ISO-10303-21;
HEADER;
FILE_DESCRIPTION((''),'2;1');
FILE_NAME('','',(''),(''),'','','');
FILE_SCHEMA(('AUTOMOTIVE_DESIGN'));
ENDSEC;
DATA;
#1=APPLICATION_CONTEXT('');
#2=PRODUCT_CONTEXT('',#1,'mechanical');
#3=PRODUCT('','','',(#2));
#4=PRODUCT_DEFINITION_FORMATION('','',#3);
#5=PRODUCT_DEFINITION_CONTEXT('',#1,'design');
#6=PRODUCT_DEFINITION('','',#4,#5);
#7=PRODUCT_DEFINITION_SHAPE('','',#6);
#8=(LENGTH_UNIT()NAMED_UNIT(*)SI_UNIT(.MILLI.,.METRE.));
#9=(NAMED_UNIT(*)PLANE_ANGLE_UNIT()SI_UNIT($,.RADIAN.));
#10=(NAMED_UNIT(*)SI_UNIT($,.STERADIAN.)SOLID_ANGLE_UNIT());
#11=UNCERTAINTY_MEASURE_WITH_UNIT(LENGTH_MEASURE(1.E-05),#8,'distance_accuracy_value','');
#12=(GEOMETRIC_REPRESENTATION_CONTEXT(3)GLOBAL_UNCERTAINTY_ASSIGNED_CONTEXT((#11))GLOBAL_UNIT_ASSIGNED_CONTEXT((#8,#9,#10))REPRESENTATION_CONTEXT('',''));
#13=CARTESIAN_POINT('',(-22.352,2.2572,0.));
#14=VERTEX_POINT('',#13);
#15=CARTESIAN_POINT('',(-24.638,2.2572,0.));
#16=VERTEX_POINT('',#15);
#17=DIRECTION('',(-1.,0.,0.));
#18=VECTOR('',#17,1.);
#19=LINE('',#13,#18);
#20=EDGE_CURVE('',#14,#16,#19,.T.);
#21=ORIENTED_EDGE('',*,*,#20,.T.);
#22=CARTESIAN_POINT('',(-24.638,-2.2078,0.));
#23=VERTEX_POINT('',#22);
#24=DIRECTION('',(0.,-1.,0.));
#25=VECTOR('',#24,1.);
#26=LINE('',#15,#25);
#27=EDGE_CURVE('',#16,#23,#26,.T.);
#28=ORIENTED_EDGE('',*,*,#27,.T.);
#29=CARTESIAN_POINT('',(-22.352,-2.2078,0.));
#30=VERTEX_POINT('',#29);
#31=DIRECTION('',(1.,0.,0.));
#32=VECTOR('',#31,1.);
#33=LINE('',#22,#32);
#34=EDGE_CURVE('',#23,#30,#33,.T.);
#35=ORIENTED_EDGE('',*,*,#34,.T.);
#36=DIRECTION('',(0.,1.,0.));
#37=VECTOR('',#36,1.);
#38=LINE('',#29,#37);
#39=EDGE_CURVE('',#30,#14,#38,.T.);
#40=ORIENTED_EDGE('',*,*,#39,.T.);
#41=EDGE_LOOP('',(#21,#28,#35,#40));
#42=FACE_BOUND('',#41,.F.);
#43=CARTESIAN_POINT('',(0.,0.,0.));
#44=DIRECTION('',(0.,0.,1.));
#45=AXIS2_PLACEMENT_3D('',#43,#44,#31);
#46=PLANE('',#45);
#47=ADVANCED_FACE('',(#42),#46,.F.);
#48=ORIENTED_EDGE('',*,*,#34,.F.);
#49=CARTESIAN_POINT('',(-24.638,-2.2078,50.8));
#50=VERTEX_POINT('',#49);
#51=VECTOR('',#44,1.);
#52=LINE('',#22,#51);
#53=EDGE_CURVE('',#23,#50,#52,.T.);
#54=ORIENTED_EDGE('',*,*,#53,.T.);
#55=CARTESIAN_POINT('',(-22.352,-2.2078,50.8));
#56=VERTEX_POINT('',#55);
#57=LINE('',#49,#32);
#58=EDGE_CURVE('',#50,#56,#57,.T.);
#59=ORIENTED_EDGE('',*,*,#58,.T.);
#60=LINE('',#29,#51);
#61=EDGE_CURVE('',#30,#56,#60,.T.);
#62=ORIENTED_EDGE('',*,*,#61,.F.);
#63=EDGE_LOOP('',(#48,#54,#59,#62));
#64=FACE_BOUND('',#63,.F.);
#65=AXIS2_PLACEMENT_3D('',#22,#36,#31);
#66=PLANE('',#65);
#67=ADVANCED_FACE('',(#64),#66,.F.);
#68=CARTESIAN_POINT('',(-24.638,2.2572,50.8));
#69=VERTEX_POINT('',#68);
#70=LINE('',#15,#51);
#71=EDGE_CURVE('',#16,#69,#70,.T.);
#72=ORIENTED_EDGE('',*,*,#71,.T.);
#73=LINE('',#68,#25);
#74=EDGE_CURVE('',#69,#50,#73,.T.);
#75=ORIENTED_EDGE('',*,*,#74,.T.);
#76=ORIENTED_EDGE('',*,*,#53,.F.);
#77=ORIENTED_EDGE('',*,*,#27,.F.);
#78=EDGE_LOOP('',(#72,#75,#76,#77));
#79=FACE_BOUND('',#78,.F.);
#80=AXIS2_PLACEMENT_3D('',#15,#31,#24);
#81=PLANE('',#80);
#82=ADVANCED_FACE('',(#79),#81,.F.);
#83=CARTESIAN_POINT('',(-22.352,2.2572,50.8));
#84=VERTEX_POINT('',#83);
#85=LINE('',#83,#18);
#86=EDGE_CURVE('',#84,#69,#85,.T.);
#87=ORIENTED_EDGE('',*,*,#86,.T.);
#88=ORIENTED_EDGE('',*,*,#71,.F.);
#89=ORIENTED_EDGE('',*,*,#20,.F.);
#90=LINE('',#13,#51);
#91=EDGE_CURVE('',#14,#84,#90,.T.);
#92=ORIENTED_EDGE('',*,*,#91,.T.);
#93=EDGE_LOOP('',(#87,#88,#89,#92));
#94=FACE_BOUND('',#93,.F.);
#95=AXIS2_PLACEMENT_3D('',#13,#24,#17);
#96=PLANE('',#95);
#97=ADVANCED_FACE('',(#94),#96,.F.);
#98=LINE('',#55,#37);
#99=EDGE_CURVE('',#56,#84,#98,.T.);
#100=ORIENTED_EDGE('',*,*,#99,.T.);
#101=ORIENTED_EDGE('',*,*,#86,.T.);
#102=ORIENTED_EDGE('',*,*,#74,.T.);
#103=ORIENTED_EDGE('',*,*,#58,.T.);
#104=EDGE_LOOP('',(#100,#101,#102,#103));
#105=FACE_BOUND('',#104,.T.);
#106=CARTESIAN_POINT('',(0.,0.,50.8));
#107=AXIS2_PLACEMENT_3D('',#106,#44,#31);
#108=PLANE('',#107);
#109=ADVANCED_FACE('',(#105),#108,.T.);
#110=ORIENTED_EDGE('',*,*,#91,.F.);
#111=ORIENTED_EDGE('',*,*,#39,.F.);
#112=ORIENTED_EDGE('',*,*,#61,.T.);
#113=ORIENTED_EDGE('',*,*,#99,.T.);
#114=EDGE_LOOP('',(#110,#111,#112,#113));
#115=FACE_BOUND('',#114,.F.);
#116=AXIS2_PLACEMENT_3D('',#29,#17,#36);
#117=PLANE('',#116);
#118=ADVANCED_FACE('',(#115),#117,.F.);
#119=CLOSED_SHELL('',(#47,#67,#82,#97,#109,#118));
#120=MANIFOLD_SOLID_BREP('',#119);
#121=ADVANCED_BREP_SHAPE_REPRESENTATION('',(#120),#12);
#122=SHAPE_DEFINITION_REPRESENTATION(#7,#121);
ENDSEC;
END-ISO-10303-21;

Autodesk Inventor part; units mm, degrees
ref_plane "YZ Plane" through (0, 0, 0) normal (1, 0, 0) x (0, 1, 0)
ref_plane "XZ Plane" through (0, 0, 0) normal (0, 1, 0) x (-1, 0, 0)
ref_plane "XY Plane" through (0, 0, 0) normal (0, 0, 1) x (1, 0, 0)
sketch "Sketch1" plane through (0, 0, 0) normal (0, 0, 1) x (1, 0, 0)
  line L0 (-22.225, -2.3348) -> (-24.765, -2.3348) projected
  line L1 (-22.225, 2.3842) -> (-22.225, -2.3348) projected
  line L2 (-24.765, 2.3842) -> (-22.225, 2.3842) projected
  line L3 (-24.765, -2.3348) -> (-24.765, 2.3842) projected
  line L4 (-24.638, -2.2078) -> (-22.352, -2.2078)
  line L5 (-22.352, -2.2078) -> (-22.352, 2.2572)
  line L6 (-22.352, 2.2572) -> (-24.638, 2.2572)
  line L7 (-24.638, 2.2572) -> (-24.638, -2.2078)
  point P0 (0, 0)
  dimension "d0" = 0.127
extrude "Extrusion1" add sketch "Sketch1" along normal blind 50.8 contours L7 L6 L5 L4
properties part number "Sliding Pin_3DPrint"
